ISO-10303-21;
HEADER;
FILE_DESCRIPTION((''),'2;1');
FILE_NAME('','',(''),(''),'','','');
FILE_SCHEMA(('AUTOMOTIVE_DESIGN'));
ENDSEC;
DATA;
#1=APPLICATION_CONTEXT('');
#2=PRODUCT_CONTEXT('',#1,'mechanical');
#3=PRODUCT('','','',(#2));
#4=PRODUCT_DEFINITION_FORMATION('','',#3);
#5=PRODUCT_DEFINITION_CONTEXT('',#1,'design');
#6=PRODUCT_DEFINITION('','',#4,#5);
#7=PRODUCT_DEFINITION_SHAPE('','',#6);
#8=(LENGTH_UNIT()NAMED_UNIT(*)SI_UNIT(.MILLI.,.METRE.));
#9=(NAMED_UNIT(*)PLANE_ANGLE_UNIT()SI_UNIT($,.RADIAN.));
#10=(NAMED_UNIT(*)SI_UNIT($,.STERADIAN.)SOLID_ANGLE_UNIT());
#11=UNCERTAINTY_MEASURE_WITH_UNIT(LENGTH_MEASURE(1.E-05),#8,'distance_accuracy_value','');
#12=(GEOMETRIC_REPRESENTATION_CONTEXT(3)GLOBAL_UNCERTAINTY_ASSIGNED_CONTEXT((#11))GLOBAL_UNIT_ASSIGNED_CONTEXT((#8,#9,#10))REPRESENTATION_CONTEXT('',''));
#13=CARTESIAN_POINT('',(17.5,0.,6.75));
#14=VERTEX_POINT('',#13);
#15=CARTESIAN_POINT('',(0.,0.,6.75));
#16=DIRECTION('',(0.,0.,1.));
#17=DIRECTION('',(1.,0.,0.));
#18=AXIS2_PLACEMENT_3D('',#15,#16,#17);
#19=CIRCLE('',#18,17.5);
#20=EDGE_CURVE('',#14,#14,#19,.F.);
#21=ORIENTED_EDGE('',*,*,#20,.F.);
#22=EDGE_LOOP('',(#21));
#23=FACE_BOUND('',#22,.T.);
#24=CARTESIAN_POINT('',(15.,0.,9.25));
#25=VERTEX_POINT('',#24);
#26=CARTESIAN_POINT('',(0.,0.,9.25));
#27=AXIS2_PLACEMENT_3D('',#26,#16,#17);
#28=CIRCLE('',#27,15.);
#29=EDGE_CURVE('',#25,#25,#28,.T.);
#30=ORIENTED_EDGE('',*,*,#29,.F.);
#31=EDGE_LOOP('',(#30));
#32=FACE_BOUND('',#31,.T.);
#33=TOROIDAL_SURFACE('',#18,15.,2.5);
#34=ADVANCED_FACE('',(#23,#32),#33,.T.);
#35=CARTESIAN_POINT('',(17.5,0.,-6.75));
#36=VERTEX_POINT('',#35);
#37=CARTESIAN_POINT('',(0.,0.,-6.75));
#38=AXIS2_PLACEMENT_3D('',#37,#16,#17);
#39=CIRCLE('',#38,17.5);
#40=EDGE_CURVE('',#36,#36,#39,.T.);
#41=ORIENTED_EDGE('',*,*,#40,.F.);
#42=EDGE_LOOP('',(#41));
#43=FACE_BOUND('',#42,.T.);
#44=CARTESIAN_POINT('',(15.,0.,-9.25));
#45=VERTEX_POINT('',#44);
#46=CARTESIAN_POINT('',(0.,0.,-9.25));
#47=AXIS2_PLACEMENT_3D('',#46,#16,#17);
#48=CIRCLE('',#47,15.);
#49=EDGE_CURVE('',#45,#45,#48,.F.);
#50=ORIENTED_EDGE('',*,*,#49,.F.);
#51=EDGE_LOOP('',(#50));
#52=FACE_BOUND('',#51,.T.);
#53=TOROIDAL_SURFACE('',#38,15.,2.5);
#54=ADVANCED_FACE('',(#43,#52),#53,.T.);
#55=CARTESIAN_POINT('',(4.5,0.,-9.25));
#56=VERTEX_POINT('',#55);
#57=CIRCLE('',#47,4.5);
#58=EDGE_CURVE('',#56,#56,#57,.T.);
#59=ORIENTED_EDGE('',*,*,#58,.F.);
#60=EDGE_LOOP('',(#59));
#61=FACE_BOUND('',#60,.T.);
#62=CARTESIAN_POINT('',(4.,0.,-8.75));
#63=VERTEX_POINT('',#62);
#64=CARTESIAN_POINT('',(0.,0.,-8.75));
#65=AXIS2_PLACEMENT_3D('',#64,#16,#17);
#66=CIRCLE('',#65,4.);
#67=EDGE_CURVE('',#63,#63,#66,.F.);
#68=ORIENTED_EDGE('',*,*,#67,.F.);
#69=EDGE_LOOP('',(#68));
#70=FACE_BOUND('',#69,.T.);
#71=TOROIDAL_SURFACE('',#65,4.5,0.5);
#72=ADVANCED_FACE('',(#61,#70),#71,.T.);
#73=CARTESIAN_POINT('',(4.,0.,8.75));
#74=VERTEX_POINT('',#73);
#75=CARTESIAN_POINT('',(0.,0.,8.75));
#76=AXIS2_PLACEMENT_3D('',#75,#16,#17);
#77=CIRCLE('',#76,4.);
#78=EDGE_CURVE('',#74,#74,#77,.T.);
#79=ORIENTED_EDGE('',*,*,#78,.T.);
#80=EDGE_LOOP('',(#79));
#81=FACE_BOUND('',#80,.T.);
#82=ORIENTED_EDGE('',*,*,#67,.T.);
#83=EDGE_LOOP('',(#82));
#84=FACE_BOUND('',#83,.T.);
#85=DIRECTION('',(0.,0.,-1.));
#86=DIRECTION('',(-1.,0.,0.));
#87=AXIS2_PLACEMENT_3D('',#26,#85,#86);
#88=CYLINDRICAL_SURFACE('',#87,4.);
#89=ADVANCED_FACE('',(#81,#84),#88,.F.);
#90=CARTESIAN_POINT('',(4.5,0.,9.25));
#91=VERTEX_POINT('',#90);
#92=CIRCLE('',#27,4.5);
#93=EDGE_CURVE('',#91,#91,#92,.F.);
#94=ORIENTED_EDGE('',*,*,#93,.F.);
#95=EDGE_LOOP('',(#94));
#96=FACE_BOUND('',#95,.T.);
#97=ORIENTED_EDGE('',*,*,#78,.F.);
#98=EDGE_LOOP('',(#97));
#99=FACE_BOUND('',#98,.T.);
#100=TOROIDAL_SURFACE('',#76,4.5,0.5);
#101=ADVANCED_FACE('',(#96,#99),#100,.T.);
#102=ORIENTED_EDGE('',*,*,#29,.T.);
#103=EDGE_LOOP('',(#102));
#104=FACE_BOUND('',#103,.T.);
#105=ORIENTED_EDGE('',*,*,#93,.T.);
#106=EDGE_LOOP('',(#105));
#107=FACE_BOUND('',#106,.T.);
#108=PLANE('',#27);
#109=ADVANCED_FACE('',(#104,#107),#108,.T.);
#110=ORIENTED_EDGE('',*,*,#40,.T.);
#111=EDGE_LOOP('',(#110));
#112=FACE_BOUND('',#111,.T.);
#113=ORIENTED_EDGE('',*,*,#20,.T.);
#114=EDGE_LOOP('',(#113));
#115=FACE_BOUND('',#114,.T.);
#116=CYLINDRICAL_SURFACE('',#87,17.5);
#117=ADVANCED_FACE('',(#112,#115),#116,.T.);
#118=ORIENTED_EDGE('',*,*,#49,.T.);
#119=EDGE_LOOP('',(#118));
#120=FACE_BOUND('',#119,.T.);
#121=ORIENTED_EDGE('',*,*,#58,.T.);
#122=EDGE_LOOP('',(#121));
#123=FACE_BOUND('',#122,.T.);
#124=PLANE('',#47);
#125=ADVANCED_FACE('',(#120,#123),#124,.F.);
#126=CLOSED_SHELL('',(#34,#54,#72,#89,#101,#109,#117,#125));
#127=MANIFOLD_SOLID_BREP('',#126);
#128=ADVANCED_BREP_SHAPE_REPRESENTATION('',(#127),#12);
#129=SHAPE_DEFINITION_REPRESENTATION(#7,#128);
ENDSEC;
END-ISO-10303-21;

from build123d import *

# Parameters (mm, degrees)
SKETCH_1_R      = 17.5
SKETCH_1_R_2    = 4
EXTRUDE_1_DEPTH = 9.25
FILLET_1_R      = 2.5
FILLET_2_R      = 0.5


with BuildPart() as part:
    # 草图1 → 凸台-拉伸1 (new, symmetric)
    with BuildSketch(Plane.XY):
        Circle(SKETCH_1_R)
        Circle(SKETCH_1_R_2, mode=Mode.SUBTRACT)
    extrude(amount=EXTRUDE_1_DEPTH, both=True)

    # 圆角1
    fillet_1_edges = [part.edges().sort_by_distance(p)[0] for p in [
        (-17.5, 0, -9.25),
        (-17.5, 0, 9.25),
    ]]
    fillet(fillet_1_edges, radius=FILLET_1_R)

    # 圆角2
    fillet_2_edges = [part.edges().sort_by_distance(p)[0] for p in [
        (-4, 0, -9.25),
        (-4, 0, 9.25),
    ]]
    fillet(fillet_2_edges, radius=FILLET_2_R)


solid = part.part
